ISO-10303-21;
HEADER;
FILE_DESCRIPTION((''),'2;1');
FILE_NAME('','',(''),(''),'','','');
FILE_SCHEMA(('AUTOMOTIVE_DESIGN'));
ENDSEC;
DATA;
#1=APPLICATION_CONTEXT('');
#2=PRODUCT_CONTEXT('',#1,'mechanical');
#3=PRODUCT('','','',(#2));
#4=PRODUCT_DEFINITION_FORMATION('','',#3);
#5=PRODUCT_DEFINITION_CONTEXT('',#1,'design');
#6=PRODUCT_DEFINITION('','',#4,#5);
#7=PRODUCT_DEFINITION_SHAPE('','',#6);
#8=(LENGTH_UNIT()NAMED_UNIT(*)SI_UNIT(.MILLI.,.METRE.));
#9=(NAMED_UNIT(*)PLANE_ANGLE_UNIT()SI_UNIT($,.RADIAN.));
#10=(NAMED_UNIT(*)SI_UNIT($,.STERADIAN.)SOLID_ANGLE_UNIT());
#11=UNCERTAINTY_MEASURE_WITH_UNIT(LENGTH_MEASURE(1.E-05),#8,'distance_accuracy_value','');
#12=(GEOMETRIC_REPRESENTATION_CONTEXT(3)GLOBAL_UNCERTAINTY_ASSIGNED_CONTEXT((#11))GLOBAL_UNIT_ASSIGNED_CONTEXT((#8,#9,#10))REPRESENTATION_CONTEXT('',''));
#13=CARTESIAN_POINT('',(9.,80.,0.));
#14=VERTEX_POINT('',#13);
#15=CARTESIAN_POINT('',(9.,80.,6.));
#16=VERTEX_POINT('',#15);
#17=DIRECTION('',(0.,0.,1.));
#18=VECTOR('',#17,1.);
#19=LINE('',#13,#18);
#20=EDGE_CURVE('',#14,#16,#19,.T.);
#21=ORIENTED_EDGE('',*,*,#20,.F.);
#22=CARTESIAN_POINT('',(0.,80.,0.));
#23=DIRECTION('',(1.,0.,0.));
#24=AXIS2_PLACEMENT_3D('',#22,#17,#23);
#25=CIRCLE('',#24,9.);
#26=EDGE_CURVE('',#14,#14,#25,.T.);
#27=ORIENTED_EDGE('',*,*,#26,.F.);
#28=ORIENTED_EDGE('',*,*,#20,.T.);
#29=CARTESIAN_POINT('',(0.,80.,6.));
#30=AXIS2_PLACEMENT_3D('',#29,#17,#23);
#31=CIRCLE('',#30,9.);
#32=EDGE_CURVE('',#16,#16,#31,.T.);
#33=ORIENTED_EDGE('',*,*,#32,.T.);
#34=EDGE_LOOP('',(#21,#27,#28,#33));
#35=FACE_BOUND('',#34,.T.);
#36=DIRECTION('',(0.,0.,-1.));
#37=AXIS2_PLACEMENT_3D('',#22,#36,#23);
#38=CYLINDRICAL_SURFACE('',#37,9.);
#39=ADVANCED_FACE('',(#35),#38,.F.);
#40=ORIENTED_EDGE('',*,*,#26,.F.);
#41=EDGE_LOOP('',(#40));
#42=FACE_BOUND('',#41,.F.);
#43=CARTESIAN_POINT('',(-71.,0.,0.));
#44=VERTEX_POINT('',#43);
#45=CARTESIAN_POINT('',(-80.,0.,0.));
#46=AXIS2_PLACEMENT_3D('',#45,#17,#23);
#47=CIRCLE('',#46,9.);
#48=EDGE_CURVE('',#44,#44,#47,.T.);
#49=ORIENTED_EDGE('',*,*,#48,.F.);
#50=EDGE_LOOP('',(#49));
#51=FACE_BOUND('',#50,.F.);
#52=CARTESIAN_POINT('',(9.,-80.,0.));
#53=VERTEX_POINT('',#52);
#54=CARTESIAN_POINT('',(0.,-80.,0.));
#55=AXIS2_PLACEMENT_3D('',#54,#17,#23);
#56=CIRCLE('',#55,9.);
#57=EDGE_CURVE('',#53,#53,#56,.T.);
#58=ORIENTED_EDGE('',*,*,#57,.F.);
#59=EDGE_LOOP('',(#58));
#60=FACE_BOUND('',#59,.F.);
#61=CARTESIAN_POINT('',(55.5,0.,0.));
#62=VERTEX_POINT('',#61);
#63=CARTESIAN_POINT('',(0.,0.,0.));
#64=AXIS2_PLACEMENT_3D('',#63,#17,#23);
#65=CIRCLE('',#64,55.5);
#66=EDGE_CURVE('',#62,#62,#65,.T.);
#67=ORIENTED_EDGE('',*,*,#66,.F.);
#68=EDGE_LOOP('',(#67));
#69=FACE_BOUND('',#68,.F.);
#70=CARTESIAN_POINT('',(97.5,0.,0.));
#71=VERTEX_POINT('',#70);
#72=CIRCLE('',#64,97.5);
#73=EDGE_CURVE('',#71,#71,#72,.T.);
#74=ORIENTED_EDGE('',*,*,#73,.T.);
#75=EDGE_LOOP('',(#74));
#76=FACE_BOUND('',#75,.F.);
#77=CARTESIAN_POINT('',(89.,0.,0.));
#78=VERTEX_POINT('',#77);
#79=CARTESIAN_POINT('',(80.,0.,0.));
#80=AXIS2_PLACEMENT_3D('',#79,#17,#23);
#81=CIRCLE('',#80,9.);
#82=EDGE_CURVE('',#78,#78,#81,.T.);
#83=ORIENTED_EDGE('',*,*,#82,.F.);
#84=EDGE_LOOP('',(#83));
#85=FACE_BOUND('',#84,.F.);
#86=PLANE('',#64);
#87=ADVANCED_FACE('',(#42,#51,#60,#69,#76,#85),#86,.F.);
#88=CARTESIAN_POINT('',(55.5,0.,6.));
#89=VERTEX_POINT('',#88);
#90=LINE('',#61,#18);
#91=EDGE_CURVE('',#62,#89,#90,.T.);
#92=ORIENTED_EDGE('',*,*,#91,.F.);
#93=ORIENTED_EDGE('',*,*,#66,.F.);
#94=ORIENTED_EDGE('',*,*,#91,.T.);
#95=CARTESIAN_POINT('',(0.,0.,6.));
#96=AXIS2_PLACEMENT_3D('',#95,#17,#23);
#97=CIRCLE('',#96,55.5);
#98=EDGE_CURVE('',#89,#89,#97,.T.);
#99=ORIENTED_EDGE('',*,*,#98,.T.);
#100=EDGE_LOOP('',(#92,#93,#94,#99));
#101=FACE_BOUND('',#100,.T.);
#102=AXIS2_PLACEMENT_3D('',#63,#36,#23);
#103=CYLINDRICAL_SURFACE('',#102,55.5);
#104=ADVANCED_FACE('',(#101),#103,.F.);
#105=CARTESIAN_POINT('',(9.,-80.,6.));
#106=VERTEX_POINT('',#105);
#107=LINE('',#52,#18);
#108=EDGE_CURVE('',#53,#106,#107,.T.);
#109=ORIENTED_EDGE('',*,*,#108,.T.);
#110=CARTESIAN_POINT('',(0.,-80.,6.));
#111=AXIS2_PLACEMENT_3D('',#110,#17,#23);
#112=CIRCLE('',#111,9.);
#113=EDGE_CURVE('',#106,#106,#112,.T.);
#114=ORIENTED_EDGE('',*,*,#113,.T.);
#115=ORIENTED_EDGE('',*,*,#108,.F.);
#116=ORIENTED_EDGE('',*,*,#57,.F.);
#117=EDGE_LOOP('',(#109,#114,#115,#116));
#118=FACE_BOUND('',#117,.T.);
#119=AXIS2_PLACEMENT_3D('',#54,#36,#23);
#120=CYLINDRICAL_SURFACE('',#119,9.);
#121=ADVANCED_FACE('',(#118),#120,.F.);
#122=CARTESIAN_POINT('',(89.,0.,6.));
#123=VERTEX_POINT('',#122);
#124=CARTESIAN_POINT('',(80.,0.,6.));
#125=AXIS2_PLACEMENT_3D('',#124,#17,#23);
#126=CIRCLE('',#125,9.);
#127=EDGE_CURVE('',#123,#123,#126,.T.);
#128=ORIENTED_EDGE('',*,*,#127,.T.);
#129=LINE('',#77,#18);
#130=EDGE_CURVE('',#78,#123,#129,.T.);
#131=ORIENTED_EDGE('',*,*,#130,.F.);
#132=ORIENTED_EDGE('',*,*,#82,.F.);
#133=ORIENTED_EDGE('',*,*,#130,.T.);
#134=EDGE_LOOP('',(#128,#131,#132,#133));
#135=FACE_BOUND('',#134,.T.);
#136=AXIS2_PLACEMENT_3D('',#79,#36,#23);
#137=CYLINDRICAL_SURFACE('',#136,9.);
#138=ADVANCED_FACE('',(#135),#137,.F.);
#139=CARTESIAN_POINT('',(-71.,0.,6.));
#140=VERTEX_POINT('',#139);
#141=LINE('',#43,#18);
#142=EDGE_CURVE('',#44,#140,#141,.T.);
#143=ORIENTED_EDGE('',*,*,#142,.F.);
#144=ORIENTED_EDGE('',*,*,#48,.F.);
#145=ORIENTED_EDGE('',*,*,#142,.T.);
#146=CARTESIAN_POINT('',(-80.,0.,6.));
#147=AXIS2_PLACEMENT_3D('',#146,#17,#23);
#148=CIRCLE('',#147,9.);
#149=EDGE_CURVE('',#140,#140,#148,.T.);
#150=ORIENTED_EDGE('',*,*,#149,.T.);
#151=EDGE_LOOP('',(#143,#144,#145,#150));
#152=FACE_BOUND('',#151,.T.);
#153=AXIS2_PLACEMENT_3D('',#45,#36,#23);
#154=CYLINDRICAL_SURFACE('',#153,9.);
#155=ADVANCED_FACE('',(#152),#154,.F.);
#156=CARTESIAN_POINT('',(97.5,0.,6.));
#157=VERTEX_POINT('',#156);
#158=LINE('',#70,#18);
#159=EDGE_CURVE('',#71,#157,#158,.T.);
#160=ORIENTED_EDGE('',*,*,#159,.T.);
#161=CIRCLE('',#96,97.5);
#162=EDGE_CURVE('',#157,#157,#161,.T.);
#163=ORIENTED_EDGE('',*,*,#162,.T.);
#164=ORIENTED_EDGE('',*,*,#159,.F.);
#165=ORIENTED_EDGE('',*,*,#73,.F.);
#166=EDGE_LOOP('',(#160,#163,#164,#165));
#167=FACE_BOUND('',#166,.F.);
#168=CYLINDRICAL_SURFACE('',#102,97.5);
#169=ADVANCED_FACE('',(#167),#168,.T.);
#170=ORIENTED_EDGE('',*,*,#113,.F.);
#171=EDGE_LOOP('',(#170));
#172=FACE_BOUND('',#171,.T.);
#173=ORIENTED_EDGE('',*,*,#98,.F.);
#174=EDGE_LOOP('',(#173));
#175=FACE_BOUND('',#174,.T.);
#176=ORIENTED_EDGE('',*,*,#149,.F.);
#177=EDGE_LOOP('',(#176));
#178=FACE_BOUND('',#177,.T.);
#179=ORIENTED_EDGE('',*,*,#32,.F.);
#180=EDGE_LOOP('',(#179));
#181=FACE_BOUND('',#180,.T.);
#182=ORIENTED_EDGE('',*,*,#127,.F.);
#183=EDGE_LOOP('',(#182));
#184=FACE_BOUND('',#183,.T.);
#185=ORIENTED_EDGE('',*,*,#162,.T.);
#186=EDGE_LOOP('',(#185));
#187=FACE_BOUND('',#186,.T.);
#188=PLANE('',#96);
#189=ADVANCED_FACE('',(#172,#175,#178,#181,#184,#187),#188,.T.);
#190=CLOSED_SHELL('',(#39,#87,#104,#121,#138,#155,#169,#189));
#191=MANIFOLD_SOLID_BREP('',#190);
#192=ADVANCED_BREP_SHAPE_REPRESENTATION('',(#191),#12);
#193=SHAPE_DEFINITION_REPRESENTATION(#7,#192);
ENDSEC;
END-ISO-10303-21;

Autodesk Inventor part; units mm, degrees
ref_plane "YZ Plane" through (0, 0, 0) normal (1, 0, 0) x (0, 1, 0)
ref_plane "XZ Plane" through (0, 0, 0) normal (0, 1, 0) x (-1, 0, 0)
ref_plane "XY Plane" through (0, 0, 0) normal (0, 0, 1) x (1, 0, 0)
sketch "Sketch2" plane through (0, 0, 0) normal (0, 0, 1) x (1, 0, 0)
  circle A0 centre (0, 0) radius 55.5
  circle A1 centre (0, 0) radius 97.5
  circle A2 centre (0, 0) radius 80 construction
  circle A3 centre (0, 80) radius 9
  circle A4 centre (-80, 0) radius 9
  circle A5 centre (0, -80) radius 9
  circle A6 centre (80, 0) radius 9
  dimension "d29" = 160
  dimension "d25" = 111
  dimension "d27" = 195
  dimension "d30" = 18
  dimension "d33" = 360
extrude "Plate2" add sketch "Sketch2" along normal blind 6
equation "\"d14\" = Thickness"
equation "\"BendReliefWidth\" = Thickness"
equation "\"BendReliefDepth\" = 0.5 * Thickness"
equation "\"CornerReliefSize\" = 4 * Thickness"
equation "\"MinimumRemnant\" = 2 * Thickness"
equation "\"TransitionRadius\" = BendRadius"
equation "\"JacobiRadiusSize\" = BendRadius"
equation "\"GapSize\" = Thickness"
equation "\"Thickness\" = 6"
equation "\"BendRadius\" = 6"
properties part number "PRS 1200-31 FDS flange DN90" material "Steel"
